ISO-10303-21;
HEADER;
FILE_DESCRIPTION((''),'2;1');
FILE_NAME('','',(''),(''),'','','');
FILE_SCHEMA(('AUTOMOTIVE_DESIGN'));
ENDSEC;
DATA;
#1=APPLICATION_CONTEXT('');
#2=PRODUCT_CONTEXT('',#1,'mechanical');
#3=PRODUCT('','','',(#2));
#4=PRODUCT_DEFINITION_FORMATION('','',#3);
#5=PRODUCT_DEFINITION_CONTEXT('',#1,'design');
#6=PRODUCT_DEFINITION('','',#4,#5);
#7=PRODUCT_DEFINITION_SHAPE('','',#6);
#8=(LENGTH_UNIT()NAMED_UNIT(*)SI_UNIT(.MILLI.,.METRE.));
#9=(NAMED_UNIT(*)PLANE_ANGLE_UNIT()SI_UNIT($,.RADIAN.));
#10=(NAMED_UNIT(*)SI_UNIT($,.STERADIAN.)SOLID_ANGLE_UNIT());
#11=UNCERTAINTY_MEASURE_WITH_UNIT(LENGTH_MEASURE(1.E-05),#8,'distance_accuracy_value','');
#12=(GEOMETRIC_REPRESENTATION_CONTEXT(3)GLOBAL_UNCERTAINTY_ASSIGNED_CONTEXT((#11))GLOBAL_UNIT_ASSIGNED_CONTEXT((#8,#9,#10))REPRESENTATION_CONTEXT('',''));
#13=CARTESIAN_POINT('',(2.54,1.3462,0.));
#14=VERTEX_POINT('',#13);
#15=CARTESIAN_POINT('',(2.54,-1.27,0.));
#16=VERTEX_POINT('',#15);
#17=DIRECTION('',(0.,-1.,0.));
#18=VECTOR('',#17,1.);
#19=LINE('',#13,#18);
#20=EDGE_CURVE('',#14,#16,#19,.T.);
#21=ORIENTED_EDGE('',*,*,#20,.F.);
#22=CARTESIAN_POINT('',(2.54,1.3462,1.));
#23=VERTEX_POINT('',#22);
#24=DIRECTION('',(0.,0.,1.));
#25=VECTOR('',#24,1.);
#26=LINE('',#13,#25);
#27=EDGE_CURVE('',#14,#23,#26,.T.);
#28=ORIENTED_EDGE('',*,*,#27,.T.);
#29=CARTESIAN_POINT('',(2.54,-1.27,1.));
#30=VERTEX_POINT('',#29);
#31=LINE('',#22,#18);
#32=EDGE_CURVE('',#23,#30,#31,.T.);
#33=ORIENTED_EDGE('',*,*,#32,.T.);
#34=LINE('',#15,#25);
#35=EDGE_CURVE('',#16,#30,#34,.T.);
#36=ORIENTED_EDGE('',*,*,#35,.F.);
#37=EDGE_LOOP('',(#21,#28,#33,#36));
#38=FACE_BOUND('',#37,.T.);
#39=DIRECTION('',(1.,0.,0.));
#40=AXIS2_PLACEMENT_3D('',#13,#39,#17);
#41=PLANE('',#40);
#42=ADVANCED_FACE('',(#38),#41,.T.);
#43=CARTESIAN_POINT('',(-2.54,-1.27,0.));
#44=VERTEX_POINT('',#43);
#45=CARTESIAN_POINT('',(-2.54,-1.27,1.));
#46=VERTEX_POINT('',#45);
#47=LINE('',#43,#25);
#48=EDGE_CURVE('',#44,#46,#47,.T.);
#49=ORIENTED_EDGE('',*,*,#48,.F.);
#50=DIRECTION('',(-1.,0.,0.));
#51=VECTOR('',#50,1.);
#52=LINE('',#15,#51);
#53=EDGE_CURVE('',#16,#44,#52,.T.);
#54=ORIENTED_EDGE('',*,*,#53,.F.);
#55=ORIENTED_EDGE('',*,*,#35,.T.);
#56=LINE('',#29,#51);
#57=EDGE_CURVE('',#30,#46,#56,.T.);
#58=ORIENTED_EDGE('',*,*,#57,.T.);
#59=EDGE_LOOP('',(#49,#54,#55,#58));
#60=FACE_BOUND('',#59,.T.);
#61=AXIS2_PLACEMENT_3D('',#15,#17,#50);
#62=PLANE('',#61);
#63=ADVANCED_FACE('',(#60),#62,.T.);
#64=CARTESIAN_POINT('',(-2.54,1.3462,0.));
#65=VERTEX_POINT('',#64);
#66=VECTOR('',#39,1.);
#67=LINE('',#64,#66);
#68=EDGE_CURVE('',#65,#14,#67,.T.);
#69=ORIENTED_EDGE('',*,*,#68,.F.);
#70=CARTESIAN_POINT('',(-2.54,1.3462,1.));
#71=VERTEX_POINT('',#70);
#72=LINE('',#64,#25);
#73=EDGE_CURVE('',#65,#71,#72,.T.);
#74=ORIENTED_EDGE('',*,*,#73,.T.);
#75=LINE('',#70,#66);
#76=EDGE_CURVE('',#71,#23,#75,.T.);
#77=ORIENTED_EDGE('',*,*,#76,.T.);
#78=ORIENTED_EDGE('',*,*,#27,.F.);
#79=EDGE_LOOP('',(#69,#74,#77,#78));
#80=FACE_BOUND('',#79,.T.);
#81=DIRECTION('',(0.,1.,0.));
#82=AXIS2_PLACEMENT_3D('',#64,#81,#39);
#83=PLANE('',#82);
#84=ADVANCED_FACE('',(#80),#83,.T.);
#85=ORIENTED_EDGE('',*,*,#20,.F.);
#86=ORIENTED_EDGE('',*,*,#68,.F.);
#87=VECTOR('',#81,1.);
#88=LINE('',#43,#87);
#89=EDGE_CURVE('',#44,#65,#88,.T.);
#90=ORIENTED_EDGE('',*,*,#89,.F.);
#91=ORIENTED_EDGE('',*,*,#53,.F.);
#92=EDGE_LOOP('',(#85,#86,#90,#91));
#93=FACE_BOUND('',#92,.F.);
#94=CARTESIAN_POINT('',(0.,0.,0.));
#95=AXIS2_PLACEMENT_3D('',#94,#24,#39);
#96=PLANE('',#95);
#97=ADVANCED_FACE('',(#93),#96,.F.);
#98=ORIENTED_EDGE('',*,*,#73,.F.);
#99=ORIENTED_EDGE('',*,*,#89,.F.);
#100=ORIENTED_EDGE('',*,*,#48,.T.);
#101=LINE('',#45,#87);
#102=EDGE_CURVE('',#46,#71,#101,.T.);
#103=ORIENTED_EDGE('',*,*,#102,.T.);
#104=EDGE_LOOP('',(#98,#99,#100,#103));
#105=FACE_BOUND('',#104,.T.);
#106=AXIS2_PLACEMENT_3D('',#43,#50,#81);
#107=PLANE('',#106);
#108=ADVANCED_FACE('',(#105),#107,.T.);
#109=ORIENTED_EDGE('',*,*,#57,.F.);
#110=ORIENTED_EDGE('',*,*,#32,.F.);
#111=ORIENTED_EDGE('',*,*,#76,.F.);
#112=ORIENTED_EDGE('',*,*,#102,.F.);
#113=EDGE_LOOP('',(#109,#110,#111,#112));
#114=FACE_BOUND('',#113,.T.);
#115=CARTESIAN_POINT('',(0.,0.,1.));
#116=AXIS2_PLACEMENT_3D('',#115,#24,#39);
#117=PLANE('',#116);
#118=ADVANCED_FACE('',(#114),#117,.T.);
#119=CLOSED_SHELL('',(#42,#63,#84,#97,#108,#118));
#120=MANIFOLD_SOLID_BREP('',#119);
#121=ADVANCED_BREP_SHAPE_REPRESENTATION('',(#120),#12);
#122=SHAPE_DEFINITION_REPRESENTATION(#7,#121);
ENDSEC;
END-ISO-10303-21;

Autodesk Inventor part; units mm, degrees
ref_plane "YZ Plane" through (0, 0, 0) normal (1, 0, 0) x (0, 1, 0)
ref_plane "XZ Plane" through (0, 0, 0) normal (0, 1, 0) x (-1, 0, 0)
ref_plane "XY Plane" through (0, 0, 0) normal (0, 0, 1) x (1, 0, 0)
sketch "1X02, 1X02_8" plane through (0, 0, 0) normal (0, 0, 1) x (1, 0, 0)
  line L0 (-2.54, 1.3462) -> (2.54, 1.3462)
  line L1 (2.54, 1.3462) -> (2.54, -1.27)
  line L2 (2.54, -1.27) -> (-2.54, -1.27)
  line L3 (-2.54, -1.27) -> (-2.54, 1.3462)
extrude "Extrusion1" add sketch "1X02, 1X02_8" along normal blind 1
properties part number "1X02"
